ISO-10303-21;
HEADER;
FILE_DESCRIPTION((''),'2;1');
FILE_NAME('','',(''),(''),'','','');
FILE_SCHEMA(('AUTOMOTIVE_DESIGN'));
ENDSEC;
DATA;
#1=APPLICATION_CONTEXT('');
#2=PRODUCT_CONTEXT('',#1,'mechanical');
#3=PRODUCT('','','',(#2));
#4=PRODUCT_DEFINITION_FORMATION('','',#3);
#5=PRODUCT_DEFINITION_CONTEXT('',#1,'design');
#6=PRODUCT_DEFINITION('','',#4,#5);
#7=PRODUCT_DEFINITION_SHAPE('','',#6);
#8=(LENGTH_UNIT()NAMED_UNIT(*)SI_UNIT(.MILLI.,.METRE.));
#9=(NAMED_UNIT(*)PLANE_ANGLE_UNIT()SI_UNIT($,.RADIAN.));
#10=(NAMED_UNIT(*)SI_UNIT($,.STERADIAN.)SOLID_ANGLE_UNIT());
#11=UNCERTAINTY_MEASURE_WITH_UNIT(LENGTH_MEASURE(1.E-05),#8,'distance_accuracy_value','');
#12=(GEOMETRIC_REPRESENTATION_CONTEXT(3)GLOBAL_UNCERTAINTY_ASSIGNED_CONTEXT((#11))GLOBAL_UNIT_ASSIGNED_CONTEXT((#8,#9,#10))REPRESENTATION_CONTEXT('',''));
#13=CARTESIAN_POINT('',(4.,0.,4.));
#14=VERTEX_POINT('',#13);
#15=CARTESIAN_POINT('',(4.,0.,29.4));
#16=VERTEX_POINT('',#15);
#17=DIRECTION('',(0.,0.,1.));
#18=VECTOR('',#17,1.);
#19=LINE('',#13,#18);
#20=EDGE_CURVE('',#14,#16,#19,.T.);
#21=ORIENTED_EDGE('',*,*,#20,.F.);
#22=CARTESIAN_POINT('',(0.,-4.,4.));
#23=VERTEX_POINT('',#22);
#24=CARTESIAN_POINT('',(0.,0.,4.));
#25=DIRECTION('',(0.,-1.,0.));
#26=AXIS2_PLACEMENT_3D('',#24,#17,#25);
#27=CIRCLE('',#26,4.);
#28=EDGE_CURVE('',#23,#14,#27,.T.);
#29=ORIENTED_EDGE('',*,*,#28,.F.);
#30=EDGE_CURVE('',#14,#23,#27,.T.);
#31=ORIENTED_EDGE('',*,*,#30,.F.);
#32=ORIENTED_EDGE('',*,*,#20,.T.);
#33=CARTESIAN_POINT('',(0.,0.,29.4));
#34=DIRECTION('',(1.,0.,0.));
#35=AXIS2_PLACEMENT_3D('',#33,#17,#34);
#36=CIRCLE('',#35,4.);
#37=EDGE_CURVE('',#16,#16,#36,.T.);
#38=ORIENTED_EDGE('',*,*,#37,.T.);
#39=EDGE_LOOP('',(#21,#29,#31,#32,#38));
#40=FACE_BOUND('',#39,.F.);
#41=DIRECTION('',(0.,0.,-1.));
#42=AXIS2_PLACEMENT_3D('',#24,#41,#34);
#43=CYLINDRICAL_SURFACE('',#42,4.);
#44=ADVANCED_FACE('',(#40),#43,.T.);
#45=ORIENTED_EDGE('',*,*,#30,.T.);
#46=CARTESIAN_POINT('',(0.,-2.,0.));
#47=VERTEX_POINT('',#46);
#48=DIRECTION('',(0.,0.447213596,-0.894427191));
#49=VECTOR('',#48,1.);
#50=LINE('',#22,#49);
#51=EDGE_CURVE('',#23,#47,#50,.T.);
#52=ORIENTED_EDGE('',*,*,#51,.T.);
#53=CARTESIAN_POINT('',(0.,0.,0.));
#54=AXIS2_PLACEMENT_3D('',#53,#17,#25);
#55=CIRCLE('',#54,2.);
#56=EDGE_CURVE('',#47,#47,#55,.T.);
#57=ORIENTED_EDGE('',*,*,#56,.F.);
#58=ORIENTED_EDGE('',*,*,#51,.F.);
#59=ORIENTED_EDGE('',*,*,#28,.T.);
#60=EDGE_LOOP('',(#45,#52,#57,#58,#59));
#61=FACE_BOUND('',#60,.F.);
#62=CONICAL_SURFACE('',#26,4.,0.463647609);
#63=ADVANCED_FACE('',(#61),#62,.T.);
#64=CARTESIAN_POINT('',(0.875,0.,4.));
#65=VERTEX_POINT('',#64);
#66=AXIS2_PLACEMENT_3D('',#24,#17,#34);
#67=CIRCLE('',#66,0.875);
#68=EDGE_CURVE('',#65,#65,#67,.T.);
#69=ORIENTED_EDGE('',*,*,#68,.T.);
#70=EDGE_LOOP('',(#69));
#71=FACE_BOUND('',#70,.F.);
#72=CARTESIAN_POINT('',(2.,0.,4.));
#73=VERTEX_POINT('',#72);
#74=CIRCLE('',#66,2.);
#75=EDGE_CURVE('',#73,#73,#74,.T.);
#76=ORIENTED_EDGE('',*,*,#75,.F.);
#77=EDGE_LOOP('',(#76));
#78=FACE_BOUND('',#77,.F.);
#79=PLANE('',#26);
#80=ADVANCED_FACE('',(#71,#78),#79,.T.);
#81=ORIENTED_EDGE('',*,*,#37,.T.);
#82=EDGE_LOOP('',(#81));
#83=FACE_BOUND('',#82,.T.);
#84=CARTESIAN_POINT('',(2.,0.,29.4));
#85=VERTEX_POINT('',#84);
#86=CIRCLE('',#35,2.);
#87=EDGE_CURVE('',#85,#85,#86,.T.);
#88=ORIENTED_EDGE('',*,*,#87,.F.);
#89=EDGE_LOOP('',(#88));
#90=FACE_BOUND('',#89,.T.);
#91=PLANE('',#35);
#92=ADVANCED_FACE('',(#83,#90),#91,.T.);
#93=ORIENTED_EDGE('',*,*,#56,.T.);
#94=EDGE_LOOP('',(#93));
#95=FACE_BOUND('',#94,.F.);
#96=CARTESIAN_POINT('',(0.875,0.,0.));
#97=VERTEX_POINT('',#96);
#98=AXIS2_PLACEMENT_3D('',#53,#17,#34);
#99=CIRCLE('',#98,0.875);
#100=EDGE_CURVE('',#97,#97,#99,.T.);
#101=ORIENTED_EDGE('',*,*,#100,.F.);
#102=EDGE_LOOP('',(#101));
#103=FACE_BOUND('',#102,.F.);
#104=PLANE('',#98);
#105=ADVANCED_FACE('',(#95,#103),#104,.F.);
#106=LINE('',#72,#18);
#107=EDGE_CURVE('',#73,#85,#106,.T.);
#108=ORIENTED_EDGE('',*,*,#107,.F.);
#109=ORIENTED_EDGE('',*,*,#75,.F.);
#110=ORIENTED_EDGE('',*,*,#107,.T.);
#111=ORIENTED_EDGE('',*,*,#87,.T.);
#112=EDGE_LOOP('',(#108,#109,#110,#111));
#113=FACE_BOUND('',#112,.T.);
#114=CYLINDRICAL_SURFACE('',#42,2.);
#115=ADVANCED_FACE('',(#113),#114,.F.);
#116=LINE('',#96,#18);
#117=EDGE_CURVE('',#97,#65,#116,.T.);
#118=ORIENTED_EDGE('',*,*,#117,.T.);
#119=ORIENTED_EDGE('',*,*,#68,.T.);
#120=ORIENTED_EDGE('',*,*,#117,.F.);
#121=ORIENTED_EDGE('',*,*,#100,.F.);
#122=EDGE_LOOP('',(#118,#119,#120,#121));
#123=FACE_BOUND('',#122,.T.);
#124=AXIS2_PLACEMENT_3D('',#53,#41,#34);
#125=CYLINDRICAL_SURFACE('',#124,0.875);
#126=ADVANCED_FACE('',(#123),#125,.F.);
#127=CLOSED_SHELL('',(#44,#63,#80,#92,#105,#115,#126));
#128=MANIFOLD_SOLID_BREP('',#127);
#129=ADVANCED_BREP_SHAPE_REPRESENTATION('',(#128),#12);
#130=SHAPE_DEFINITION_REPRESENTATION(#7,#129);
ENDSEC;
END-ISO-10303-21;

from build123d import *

# Parameters (mm, degrees)
F0_R     = 2
F0_R_2   = 0.875
F1_DEPTH = 4
F6_R     = 4
F6_R_2   = 2
F7_DEPTH = 25.4


with BuildPart() as f1:
    # F0 (on Top) → F1 (new body)
    with BuildSketch(Plane.XY):
        Circle(F0_R)
        Circle(F0_R_2, mode=Mode.SUBTRACT)
    extrude(amount=F1_DEPTH)

    # F4 (on Right) → F5 (revolve)
    with BuildSketch(Plane.YZ):
        Polygon((-1.583964, 4), (-4, 4), (-2, 0), (-1.583964, 0), align=None)
    revolve(axis=Axis((0, 0, 1.998599), (0, 0, 1)))

    # F6 (on face) → F7 (join)
    with BuildSketch(Plane.XY.offset(4)):
        Circle(F6_R)
        Circle(F6_R_2, mode=Mode.SUBTRACT)
    extrude(amount=F7_DEPTH)


solid = f1.part
